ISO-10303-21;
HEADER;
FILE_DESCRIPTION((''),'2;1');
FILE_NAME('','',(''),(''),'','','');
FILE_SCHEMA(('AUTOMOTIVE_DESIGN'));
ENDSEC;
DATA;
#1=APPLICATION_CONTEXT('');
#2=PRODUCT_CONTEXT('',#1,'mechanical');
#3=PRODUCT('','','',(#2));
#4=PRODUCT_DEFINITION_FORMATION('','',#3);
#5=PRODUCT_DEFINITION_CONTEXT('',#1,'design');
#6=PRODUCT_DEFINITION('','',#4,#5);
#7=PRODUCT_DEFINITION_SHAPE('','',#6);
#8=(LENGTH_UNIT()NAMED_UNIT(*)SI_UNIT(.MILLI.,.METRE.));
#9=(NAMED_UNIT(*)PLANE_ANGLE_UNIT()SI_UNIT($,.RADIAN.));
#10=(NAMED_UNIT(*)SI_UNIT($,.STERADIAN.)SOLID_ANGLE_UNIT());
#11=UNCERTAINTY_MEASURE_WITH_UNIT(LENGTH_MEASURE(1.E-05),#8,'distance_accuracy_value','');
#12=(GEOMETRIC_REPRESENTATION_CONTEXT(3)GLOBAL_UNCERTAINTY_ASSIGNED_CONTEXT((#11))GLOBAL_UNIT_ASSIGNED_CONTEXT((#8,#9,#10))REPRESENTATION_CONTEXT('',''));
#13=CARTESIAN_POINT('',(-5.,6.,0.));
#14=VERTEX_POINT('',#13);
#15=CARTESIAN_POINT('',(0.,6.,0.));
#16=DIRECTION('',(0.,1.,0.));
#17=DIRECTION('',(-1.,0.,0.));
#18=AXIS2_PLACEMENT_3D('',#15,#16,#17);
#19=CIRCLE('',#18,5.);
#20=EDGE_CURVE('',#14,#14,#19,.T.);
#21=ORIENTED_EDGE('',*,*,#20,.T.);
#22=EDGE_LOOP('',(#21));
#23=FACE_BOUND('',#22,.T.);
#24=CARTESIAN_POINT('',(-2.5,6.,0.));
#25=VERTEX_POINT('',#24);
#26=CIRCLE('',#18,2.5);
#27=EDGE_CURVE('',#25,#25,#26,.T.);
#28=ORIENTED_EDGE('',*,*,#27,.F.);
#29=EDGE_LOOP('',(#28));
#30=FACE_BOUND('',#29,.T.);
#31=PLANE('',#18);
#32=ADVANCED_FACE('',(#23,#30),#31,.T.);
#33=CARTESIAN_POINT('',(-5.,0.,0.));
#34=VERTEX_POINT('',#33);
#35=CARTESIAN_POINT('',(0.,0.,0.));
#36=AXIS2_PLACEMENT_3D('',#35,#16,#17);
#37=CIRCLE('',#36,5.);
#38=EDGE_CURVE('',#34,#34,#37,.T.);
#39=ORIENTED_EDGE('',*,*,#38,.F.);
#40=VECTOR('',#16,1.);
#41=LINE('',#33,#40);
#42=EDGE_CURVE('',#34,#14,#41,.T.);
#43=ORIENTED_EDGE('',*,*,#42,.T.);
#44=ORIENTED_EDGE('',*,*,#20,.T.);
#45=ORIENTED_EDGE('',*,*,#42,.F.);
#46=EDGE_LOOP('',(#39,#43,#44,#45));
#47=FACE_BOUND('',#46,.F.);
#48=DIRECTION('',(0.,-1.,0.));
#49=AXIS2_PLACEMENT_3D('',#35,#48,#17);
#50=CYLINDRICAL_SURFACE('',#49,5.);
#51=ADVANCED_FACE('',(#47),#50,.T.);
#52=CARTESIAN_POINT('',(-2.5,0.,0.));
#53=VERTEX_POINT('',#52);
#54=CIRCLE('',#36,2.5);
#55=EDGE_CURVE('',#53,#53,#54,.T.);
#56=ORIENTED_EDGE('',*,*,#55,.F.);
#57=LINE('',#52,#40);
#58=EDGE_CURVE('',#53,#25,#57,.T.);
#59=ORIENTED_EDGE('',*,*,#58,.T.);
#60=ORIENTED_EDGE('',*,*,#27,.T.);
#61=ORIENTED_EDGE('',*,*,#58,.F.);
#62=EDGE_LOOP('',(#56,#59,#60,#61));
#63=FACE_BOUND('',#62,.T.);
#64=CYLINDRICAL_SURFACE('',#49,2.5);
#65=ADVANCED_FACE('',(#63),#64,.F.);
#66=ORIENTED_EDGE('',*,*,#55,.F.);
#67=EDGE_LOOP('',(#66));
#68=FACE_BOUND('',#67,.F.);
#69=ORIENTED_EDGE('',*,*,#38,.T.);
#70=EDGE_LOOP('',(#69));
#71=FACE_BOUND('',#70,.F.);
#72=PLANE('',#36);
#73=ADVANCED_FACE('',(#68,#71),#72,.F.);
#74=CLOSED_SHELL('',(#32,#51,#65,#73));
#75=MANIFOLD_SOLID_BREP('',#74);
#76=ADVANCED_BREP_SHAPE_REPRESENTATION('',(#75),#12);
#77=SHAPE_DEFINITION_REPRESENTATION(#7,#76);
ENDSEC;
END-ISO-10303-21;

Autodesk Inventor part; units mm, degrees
ref_plane "YZ Plane" through (0, 0, 0) normal (1, 0, 0) x (0, 1, 0)
ref_plane "XZ Plane" through (0, 0, 0) normal (0, 1, 0) x (-1, 0, 0)
ref_plane "XY Plane" through (0, 0, 0) normal (0, 0, 1) x (1, 0, 0)
sketch "Szkic1" plane through (0, 0, 0) normal (0, 1, 0) x (-1, 0, 0)
  circle A0 centre (0, 0) radius 5
  circle A1 centre (0, 0) radius 2.5
  dimension "d0" = 10
  dimension "d1" = 5
extrude "Wyciągnięcie proste1" add sketch "Szkic1" along normal blind 6
properties part number "dystansik"
